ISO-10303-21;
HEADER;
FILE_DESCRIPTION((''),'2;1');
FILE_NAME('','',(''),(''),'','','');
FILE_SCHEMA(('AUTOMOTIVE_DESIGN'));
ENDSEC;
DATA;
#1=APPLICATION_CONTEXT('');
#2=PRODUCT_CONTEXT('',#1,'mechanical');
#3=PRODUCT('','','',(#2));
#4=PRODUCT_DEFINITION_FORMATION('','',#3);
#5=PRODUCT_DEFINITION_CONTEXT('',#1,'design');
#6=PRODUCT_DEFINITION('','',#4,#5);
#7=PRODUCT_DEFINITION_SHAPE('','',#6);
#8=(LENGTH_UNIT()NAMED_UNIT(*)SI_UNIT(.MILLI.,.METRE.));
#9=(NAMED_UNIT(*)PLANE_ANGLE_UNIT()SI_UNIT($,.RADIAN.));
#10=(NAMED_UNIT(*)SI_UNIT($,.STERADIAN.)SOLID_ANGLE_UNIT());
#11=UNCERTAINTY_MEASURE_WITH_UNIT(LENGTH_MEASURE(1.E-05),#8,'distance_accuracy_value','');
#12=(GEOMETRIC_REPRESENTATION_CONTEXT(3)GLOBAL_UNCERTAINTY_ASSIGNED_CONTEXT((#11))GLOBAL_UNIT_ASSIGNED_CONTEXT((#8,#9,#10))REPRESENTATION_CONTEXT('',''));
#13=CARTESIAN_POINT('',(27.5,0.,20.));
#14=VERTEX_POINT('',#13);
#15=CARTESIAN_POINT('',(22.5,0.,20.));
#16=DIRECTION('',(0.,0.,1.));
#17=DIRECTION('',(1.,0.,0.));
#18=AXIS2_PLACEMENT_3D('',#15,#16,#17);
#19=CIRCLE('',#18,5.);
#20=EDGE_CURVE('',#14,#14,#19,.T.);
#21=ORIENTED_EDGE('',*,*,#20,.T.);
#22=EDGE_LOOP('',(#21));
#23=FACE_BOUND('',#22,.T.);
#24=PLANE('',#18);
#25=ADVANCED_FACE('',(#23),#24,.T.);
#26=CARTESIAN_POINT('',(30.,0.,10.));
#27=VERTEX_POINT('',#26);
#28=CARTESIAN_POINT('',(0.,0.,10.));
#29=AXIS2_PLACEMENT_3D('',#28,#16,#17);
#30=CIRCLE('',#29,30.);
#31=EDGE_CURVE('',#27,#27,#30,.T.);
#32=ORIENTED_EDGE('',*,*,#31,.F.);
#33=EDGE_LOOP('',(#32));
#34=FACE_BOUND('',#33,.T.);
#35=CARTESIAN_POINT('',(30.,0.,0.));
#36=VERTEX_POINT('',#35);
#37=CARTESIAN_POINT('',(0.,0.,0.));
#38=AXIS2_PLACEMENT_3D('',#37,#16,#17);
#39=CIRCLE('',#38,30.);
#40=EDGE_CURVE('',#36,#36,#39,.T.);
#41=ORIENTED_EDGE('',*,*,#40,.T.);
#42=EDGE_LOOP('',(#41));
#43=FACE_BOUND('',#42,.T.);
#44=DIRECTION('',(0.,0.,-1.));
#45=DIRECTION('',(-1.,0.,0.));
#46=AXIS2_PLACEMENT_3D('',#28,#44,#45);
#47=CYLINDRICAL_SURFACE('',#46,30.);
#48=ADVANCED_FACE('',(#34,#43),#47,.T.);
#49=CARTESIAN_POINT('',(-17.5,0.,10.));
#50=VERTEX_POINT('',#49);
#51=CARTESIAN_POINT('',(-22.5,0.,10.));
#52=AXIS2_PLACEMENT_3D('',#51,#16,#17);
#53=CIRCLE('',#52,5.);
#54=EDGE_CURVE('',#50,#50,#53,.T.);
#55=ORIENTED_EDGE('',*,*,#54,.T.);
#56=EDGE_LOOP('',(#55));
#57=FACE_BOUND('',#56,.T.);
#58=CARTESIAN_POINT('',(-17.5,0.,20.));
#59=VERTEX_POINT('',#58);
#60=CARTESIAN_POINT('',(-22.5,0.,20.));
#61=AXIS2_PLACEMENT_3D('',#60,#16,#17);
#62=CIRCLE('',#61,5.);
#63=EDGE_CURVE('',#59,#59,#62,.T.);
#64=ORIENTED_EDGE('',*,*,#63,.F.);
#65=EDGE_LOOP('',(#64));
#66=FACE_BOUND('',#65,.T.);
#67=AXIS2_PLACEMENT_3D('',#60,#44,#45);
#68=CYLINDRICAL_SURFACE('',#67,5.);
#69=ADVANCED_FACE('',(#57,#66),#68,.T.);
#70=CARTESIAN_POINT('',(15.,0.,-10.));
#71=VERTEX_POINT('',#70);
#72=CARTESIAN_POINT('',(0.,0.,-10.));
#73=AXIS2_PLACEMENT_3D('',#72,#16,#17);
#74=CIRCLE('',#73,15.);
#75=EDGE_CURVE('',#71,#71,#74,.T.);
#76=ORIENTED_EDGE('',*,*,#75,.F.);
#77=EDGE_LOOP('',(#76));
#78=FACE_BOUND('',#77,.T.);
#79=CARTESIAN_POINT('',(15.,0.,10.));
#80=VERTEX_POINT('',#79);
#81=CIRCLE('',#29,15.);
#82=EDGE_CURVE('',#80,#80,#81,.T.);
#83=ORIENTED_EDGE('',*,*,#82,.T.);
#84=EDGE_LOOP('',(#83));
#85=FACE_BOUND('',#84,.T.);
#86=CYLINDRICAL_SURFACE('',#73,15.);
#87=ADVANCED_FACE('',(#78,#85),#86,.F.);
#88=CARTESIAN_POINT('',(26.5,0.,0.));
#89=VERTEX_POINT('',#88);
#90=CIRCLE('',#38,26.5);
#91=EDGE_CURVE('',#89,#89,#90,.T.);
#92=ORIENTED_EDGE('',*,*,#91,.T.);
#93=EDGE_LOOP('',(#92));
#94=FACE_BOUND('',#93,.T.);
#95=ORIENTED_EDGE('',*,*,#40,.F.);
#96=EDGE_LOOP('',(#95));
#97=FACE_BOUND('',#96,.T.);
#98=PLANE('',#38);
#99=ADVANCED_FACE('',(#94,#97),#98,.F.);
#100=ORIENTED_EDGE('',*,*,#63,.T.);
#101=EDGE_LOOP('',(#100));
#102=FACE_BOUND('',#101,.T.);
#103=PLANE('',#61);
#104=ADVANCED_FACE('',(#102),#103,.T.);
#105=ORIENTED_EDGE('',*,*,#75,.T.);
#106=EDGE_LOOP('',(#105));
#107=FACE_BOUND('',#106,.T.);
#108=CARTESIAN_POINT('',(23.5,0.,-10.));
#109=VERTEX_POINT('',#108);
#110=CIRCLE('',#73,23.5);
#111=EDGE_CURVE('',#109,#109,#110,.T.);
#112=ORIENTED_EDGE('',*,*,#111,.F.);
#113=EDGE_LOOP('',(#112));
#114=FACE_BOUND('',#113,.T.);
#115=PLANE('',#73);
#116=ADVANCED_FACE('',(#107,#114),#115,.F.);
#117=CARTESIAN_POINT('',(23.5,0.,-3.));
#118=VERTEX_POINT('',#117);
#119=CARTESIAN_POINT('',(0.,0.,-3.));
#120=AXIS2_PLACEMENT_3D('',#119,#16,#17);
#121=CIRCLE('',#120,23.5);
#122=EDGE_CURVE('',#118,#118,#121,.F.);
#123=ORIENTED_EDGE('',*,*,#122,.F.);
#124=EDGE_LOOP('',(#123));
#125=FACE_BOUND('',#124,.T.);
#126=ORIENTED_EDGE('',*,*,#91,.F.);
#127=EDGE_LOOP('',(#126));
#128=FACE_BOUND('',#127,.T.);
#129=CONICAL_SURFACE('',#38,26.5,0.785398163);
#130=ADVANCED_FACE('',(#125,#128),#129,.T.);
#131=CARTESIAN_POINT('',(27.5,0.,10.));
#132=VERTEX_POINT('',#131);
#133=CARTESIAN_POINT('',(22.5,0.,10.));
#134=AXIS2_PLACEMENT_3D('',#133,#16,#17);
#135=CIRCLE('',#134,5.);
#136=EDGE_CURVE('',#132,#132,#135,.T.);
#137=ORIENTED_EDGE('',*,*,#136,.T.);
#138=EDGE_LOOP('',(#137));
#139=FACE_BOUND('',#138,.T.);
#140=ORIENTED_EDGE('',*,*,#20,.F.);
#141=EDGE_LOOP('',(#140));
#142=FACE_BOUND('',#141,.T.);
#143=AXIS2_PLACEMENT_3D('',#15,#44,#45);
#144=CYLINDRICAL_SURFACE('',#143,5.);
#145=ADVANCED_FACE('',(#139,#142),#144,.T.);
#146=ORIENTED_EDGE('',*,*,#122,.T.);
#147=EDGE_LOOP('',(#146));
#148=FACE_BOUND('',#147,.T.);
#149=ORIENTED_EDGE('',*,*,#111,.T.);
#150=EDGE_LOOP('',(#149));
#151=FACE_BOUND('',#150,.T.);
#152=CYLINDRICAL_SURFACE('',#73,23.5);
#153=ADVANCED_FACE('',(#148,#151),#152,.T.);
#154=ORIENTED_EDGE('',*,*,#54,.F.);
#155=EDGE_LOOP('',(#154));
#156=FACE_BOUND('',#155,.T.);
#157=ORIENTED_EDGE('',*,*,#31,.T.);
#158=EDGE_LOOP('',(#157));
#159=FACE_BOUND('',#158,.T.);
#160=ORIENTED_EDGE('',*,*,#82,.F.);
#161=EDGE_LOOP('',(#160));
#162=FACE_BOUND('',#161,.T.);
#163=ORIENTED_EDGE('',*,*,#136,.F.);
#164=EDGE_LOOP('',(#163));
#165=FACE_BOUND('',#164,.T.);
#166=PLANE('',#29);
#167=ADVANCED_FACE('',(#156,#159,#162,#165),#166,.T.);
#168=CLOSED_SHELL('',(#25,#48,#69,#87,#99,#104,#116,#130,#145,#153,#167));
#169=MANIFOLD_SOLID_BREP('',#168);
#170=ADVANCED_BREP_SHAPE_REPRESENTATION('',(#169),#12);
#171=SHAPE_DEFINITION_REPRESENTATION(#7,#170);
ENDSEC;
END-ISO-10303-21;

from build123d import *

# Parameters (mm, degrees)
SKETCH1_R           = 23.5
SKETCH1_R_2         = 15
BOSS_EXTRUDE1_DEPTH = 10
SKETCH2_R           = 30
SKETCH2_R_2         = 15
BOSS_EXTRUDE2_DEPTH = 10
CHAMFER1_SIZE       = 3
SKETCH3_R           = 5
BOSS_EXTRUDE3_DEPTH = 10


with BuildPart() as part:
    # Sketch1 → Boss-Extrude1 (new body)
    with BuildSketch(Plane.XY):
        Circle(SKETCH1_R)
        Circle(SKETCH1_R_2, mode=Mode.SUBTRACT)
    extrude(amount=-BOSS_EXTRUDE1_DEPTH)

    # Sketch2 → Boss-Extrude2 (add)
    with BuildSketch(Plane.XY):
        Circle(SKETCH2_R)
        Circle(SKETCH2_R_2, mode=Mode.SUBTRACT)
    extrude(amount=BOSS_EXTRUDE2_DEPTH)

    # Chamfer1
    chamfer1_edges = [part.edges().sort_by_distance(p)[0] for p in [
        (-23.5, 0, 0),
    ]]
    chamfer(chamfer1_edges, length=CHAMFER1_SIZE)

    # Sketch3 → Boss-Extrude3 (add)
    with BuildSketch(Plane.XY.offset(10)):
        with Locations((-22.5, 0)):
            Circle(SKETCH3_R)
        with Locations((22.5, 0)):
            Circle(SKETCH3_R)
    extrude(amount=BOSS_EXTRUDE3_DEPTH)


solid = part.part
